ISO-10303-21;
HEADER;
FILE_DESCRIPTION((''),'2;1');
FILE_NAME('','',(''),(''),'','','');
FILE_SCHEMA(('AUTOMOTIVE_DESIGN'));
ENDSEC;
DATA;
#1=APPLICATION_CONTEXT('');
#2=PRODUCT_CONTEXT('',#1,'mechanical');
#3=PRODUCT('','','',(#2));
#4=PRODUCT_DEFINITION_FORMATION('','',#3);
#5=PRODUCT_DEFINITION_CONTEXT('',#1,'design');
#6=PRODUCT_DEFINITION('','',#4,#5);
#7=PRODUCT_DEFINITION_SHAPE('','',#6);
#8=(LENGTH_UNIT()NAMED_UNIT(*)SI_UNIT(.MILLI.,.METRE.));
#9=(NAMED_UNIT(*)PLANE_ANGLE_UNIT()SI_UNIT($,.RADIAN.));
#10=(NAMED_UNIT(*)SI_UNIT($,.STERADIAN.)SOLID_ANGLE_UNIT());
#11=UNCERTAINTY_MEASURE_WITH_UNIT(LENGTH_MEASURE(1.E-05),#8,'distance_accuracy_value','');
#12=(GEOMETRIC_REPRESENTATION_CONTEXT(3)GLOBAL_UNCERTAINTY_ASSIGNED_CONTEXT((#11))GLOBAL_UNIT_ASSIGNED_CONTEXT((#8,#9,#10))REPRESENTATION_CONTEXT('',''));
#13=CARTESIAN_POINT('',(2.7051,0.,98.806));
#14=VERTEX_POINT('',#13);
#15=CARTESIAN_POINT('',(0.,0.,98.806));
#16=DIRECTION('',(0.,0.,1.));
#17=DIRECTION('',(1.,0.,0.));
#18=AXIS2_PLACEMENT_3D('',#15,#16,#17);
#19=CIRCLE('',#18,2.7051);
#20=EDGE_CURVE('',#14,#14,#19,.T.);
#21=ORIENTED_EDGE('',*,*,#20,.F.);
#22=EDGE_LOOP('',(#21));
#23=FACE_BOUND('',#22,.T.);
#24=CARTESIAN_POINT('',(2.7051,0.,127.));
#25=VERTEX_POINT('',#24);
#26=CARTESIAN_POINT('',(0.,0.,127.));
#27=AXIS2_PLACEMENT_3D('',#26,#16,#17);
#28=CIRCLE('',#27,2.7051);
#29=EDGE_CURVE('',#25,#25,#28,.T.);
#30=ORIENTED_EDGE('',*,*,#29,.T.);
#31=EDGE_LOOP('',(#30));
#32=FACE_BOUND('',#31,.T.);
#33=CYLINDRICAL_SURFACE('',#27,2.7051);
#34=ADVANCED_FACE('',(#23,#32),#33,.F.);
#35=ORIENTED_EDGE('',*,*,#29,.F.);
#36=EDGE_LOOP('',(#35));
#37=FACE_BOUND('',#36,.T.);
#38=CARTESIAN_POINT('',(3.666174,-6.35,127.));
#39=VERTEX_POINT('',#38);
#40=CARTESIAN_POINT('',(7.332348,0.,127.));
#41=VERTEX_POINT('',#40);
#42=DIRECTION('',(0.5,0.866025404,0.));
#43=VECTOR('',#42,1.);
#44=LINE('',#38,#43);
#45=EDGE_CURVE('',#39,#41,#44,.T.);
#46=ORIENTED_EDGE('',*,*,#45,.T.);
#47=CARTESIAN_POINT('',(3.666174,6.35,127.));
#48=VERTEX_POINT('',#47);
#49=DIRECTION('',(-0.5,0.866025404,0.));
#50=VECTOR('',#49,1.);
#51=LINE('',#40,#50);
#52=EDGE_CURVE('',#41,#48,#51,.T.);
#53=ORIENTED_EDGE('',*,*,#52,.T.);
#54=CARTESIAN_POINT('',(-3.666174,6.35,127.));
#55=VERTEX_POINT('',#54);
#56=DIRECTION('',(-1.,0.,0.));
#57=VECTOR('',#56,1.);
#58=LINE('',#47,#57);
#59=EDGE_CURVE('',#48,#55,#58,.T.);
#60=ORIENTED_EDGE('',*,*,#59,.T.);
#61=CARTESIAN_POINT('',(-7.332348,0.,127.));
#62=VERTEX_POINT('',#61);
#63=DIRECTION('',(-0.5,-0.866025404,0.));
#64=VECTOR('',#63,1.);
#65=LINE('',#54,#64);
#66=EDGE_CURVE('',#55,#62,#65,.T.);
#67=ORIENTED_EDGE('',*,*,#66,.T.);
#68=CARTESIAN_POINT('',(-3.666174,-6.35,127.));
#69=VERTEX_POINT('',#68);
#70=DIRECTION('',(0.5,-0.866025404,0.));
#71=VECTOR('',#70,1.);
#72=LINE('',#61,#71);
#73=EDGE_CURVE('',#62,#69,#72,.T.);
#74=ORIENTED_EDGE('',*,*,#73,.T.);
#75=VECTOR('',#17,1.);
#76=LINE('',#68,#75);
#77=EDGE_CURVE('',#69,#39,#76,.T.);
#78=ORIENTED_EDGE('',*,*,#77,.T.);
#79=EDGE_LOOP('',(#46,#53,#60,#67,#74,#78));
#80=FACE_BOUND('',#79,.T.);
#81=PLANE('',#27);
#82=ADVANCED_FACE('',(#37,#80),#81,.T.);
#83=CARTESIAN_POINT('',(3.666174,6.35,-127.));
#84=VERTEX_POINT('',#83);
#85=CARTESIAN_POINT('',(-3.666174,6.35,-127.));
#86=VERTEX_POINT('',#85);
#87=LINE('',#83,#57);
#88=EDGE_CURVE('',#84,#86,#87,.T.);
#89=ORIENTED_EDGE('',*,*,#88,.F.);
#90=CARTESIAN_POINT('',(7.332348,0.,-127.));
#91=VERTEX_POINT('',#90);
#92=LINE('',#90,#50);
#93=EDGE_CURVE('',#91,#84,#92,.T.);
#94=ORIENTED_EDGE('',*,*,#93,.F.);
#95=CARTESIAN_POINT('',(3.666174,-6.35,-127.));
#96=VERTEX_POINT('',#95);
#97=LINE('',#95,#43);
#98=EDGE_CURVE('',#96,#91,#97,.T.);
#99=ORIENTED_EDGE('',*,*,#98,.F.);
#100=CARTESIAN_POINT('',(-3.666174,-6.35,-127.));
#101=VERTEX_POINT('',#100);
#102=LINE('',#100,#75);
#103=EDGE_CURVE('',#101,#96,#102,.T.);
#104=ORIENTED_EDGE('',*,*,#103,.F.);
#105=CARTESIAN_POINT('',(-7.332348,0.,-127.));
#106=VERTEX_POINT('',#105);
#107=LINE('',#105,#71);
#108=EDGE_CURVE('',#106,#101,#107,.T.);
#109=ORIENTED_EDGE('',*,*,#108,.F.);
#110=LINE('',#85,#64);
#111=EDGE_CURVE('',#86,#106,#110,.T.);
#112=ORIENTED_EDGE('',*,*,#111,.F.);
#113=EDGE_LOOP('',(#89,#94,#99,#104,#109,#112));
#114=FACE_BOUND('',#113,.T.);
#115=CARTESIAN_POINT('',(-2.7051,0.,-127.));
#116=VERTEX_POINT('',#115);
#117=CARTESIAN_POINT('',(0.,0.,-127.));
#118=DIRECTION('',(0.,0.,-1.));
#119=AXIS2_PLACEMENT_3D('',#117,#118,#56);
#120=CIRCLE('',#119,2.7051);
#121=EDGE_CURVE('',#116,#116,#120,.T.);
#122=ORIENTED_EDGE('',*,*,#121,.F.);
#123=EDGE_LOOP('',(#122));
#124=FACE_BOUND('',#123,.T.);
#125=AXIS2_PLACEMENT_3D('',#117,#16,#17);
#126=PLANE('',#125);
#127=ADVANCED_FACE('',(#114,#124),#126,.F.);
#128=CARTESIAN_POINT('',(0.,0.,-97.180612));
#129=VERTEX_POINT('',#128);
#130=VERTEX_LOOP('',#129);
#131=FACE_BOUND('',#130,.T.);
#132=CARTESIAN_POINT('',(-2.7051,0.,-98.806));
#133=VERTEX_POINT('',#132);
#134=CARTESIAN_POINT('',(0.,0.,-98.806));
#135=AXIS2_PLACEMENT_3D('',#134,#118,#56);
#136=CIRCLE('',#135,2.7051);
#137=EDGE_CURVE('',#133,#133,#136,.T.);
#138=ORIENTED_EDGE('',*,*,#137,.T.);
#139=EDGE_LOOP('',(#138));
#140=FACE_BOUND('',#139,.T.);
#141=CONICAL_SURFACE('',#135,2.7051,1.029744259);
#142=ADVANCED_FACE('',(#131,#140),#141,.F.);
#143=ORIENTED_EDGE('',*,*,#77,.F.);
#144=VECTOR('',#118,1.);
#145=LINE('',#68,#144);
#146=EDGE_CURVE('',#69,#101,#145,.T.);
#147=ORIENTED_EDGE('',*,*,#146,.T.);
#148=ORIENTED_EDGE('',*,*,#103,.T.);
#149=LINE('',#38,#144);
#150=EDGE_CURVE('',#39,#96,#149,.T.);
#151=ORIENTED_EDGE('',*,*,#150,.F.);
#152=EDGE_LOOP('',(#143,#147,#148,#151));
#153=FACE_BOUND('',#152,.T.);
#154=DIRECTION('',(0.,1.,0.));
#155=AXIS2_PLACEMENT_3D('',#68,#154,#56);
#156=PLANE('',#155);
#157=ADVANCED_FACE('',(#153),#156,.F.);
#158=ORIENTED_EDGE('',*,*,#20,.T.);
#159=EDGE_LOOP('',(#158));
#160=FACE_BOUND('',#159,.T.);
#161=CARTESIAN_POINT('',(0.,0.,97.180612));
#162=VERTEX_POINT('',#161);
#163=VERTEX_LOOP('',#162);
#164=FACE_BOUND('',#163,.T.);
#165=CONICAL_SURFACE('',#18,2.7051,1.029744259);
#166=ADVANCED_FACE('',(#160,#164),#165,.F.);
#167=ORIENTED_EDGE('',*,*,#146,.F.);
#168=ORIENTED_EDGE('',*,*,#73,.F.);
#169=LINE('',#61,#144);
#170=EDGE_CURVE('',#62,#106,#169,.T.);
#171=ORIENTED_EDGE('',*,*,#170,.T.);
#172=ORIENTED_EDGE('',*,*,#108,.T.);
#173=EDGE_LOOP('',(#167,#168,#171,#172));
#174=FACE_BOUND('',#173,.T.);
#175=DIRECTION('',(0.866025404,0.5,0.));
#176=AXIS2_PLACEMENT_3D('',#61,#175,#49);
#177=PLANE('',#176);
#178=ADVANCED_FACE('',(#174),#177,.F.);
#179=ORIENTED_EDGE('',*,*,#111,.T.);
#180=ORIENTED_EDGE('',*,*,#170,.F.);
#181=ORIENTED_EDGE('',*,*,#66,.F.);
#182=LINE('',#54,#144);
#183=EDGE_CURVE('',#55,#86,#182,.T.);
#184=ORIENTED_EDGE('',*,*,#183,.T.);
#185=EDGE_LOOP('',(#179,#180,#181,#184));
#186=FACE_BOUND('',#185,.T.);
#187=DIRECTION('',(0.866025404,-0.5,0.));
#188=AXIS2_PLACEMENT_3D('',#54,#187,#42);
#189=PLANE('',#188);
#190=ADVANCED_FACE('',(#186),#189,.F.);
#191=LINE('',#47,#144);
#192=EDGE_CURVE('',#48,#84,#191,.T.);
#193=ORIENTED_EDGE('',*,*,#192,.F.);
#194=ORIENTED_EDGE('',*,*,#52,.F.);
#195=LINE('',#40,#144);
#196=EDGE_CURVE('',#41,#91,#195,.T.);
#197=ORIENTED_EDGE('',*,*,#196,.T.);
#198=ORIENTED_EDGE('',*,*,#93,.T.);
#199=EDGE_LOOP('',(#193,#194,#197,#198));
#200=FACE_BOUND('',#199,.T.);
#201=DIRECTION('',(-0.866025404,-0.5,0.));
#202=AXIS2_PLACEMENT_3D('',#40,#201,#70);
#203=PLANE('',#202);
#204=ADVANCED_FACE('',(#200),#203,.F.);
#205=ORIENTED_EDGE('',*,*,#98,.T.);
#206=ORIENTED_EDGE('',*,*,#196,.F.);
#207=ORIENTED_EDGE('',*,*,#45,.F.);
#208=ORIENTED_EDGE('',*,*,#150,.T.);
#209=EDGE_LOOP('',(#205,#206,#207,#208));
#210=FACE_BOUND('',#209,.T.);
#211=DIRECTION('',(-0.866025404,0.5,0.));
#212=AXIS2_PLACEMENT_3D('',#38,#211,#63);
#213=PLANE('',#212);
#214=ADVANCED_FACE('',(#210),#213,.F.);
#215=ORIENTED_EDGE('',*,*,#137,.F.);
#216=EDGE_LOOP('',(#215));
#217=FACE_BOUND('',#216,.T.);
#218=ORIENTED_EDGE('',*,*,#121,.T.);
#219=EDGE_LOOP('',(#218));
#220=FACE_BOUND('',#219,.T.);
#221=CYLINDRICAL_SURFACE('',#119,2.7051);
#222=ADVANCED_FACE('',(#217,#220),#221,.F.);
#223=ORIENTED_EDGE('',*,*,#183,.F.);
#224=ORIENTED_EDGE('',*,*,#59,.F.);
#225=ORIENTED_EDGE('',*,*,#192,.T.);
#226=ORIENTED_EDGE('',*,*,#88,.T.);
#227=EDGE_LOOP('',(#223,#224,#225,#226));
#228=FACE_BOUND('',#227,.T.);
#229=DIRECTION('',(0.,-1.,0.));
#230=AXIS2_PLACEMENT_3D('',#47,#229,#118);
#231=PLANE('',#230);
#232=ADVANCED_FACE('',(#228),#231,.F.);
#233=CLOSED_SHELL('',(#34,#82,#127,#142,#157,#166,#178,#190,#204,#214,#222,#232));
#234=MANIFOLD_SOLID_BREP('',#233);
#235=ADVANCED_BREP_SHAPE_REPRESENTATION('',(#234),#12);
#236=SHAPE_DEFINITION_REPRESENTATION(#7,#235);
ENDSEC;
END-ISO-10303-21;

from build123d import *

# Parameters (mm, degrees)
BOSS_EXTRUDE1_DEPTH                   = 127
F_1_4_28_TAPPED_HOLE1_D               = 5.4102
F_1_4_28_TAPPED_HOLE1_DEPTH           = 28.194
F_1_4_28_TAPPED_HOLE1_TIP             = 1.625388061
F_1_4_28_TAPPED_HOLE1_ON_FACE_2_D     = 5.4102
F_1_4_28_TAPPED_HOLE1_ON_FACE_2_DEPTH = 28.194
F_1_4_28_TAPPED_HOLE1_ON_FACE_2_TIP   = 1.625388061


with BuildPart() as part:
    # Sketch1 → Boss-Extrude1 (new, symmetric)
    with BuildSketch(Plane.XY):
        Polygon((7.332348419, 0), (3.666174209, 6.35), (-3.666174209, 6.35), (-7.332348419, 0), (-3.666174209, -6.35), (3.666174209, -6.35), align=None)
    extrude(amount=BOSS_EXTRUDE1_DEPTH, both=True)

    # 1/4-28 Tapped Hole1
    with Locations(Plane.XY.offset(127)):
        with Locations((0, 0)):
            Hole(F_1_4_28_TAPPED_HOLE1_D / 2, depth=F_1_4_28_TAPPED_HOLE1_DEPTH)
            with Locations((0, 0, -(F_1_4_28_TAPPED_HOLE1_DEPTH + F_1_4_28_TAPPED_HOLE1_TIP / 2))):  # 118° drill point
                Cone(0, F_1_4_28_TAPPED_HOLE1_D / 2, F_1_4_28_TAPPED_HOLE1_TIP, mode=Mode.SUBTRACT)

    # 1/4-28 Tapped Hole1 on face 2
    with Locations(Plane(origin=(0, 0, -127), x_dir=(-1, 0, 0), z_dir=(0, 0, -1))):
        with Locations((0, 0)):
            Hole(F_1_4_28_TAPPED_HOLE1_ON_FACE_2_D / 2, depth=F_1_4_28_TAPPED_HOLE1_ON_FACE_2_DEPTH)
            with Locations((0, 0, -(F_1_4_28_TAPPED_HOLE1_ON_FACE_2_DEPTH + F_1_4_28_TAPPED_HOLE1_ON_FACE_2_TIP / 2))):  # 118° drill point
                Cone(0, F_1_4_28_TAPPED_HOLE1_ON_FACE_2_D / 2, F_1_4_28_TAPPED_HOLE1_ON_FACE_2_TIP, mode=Mode.SUBTRACT)


solid = part.part
